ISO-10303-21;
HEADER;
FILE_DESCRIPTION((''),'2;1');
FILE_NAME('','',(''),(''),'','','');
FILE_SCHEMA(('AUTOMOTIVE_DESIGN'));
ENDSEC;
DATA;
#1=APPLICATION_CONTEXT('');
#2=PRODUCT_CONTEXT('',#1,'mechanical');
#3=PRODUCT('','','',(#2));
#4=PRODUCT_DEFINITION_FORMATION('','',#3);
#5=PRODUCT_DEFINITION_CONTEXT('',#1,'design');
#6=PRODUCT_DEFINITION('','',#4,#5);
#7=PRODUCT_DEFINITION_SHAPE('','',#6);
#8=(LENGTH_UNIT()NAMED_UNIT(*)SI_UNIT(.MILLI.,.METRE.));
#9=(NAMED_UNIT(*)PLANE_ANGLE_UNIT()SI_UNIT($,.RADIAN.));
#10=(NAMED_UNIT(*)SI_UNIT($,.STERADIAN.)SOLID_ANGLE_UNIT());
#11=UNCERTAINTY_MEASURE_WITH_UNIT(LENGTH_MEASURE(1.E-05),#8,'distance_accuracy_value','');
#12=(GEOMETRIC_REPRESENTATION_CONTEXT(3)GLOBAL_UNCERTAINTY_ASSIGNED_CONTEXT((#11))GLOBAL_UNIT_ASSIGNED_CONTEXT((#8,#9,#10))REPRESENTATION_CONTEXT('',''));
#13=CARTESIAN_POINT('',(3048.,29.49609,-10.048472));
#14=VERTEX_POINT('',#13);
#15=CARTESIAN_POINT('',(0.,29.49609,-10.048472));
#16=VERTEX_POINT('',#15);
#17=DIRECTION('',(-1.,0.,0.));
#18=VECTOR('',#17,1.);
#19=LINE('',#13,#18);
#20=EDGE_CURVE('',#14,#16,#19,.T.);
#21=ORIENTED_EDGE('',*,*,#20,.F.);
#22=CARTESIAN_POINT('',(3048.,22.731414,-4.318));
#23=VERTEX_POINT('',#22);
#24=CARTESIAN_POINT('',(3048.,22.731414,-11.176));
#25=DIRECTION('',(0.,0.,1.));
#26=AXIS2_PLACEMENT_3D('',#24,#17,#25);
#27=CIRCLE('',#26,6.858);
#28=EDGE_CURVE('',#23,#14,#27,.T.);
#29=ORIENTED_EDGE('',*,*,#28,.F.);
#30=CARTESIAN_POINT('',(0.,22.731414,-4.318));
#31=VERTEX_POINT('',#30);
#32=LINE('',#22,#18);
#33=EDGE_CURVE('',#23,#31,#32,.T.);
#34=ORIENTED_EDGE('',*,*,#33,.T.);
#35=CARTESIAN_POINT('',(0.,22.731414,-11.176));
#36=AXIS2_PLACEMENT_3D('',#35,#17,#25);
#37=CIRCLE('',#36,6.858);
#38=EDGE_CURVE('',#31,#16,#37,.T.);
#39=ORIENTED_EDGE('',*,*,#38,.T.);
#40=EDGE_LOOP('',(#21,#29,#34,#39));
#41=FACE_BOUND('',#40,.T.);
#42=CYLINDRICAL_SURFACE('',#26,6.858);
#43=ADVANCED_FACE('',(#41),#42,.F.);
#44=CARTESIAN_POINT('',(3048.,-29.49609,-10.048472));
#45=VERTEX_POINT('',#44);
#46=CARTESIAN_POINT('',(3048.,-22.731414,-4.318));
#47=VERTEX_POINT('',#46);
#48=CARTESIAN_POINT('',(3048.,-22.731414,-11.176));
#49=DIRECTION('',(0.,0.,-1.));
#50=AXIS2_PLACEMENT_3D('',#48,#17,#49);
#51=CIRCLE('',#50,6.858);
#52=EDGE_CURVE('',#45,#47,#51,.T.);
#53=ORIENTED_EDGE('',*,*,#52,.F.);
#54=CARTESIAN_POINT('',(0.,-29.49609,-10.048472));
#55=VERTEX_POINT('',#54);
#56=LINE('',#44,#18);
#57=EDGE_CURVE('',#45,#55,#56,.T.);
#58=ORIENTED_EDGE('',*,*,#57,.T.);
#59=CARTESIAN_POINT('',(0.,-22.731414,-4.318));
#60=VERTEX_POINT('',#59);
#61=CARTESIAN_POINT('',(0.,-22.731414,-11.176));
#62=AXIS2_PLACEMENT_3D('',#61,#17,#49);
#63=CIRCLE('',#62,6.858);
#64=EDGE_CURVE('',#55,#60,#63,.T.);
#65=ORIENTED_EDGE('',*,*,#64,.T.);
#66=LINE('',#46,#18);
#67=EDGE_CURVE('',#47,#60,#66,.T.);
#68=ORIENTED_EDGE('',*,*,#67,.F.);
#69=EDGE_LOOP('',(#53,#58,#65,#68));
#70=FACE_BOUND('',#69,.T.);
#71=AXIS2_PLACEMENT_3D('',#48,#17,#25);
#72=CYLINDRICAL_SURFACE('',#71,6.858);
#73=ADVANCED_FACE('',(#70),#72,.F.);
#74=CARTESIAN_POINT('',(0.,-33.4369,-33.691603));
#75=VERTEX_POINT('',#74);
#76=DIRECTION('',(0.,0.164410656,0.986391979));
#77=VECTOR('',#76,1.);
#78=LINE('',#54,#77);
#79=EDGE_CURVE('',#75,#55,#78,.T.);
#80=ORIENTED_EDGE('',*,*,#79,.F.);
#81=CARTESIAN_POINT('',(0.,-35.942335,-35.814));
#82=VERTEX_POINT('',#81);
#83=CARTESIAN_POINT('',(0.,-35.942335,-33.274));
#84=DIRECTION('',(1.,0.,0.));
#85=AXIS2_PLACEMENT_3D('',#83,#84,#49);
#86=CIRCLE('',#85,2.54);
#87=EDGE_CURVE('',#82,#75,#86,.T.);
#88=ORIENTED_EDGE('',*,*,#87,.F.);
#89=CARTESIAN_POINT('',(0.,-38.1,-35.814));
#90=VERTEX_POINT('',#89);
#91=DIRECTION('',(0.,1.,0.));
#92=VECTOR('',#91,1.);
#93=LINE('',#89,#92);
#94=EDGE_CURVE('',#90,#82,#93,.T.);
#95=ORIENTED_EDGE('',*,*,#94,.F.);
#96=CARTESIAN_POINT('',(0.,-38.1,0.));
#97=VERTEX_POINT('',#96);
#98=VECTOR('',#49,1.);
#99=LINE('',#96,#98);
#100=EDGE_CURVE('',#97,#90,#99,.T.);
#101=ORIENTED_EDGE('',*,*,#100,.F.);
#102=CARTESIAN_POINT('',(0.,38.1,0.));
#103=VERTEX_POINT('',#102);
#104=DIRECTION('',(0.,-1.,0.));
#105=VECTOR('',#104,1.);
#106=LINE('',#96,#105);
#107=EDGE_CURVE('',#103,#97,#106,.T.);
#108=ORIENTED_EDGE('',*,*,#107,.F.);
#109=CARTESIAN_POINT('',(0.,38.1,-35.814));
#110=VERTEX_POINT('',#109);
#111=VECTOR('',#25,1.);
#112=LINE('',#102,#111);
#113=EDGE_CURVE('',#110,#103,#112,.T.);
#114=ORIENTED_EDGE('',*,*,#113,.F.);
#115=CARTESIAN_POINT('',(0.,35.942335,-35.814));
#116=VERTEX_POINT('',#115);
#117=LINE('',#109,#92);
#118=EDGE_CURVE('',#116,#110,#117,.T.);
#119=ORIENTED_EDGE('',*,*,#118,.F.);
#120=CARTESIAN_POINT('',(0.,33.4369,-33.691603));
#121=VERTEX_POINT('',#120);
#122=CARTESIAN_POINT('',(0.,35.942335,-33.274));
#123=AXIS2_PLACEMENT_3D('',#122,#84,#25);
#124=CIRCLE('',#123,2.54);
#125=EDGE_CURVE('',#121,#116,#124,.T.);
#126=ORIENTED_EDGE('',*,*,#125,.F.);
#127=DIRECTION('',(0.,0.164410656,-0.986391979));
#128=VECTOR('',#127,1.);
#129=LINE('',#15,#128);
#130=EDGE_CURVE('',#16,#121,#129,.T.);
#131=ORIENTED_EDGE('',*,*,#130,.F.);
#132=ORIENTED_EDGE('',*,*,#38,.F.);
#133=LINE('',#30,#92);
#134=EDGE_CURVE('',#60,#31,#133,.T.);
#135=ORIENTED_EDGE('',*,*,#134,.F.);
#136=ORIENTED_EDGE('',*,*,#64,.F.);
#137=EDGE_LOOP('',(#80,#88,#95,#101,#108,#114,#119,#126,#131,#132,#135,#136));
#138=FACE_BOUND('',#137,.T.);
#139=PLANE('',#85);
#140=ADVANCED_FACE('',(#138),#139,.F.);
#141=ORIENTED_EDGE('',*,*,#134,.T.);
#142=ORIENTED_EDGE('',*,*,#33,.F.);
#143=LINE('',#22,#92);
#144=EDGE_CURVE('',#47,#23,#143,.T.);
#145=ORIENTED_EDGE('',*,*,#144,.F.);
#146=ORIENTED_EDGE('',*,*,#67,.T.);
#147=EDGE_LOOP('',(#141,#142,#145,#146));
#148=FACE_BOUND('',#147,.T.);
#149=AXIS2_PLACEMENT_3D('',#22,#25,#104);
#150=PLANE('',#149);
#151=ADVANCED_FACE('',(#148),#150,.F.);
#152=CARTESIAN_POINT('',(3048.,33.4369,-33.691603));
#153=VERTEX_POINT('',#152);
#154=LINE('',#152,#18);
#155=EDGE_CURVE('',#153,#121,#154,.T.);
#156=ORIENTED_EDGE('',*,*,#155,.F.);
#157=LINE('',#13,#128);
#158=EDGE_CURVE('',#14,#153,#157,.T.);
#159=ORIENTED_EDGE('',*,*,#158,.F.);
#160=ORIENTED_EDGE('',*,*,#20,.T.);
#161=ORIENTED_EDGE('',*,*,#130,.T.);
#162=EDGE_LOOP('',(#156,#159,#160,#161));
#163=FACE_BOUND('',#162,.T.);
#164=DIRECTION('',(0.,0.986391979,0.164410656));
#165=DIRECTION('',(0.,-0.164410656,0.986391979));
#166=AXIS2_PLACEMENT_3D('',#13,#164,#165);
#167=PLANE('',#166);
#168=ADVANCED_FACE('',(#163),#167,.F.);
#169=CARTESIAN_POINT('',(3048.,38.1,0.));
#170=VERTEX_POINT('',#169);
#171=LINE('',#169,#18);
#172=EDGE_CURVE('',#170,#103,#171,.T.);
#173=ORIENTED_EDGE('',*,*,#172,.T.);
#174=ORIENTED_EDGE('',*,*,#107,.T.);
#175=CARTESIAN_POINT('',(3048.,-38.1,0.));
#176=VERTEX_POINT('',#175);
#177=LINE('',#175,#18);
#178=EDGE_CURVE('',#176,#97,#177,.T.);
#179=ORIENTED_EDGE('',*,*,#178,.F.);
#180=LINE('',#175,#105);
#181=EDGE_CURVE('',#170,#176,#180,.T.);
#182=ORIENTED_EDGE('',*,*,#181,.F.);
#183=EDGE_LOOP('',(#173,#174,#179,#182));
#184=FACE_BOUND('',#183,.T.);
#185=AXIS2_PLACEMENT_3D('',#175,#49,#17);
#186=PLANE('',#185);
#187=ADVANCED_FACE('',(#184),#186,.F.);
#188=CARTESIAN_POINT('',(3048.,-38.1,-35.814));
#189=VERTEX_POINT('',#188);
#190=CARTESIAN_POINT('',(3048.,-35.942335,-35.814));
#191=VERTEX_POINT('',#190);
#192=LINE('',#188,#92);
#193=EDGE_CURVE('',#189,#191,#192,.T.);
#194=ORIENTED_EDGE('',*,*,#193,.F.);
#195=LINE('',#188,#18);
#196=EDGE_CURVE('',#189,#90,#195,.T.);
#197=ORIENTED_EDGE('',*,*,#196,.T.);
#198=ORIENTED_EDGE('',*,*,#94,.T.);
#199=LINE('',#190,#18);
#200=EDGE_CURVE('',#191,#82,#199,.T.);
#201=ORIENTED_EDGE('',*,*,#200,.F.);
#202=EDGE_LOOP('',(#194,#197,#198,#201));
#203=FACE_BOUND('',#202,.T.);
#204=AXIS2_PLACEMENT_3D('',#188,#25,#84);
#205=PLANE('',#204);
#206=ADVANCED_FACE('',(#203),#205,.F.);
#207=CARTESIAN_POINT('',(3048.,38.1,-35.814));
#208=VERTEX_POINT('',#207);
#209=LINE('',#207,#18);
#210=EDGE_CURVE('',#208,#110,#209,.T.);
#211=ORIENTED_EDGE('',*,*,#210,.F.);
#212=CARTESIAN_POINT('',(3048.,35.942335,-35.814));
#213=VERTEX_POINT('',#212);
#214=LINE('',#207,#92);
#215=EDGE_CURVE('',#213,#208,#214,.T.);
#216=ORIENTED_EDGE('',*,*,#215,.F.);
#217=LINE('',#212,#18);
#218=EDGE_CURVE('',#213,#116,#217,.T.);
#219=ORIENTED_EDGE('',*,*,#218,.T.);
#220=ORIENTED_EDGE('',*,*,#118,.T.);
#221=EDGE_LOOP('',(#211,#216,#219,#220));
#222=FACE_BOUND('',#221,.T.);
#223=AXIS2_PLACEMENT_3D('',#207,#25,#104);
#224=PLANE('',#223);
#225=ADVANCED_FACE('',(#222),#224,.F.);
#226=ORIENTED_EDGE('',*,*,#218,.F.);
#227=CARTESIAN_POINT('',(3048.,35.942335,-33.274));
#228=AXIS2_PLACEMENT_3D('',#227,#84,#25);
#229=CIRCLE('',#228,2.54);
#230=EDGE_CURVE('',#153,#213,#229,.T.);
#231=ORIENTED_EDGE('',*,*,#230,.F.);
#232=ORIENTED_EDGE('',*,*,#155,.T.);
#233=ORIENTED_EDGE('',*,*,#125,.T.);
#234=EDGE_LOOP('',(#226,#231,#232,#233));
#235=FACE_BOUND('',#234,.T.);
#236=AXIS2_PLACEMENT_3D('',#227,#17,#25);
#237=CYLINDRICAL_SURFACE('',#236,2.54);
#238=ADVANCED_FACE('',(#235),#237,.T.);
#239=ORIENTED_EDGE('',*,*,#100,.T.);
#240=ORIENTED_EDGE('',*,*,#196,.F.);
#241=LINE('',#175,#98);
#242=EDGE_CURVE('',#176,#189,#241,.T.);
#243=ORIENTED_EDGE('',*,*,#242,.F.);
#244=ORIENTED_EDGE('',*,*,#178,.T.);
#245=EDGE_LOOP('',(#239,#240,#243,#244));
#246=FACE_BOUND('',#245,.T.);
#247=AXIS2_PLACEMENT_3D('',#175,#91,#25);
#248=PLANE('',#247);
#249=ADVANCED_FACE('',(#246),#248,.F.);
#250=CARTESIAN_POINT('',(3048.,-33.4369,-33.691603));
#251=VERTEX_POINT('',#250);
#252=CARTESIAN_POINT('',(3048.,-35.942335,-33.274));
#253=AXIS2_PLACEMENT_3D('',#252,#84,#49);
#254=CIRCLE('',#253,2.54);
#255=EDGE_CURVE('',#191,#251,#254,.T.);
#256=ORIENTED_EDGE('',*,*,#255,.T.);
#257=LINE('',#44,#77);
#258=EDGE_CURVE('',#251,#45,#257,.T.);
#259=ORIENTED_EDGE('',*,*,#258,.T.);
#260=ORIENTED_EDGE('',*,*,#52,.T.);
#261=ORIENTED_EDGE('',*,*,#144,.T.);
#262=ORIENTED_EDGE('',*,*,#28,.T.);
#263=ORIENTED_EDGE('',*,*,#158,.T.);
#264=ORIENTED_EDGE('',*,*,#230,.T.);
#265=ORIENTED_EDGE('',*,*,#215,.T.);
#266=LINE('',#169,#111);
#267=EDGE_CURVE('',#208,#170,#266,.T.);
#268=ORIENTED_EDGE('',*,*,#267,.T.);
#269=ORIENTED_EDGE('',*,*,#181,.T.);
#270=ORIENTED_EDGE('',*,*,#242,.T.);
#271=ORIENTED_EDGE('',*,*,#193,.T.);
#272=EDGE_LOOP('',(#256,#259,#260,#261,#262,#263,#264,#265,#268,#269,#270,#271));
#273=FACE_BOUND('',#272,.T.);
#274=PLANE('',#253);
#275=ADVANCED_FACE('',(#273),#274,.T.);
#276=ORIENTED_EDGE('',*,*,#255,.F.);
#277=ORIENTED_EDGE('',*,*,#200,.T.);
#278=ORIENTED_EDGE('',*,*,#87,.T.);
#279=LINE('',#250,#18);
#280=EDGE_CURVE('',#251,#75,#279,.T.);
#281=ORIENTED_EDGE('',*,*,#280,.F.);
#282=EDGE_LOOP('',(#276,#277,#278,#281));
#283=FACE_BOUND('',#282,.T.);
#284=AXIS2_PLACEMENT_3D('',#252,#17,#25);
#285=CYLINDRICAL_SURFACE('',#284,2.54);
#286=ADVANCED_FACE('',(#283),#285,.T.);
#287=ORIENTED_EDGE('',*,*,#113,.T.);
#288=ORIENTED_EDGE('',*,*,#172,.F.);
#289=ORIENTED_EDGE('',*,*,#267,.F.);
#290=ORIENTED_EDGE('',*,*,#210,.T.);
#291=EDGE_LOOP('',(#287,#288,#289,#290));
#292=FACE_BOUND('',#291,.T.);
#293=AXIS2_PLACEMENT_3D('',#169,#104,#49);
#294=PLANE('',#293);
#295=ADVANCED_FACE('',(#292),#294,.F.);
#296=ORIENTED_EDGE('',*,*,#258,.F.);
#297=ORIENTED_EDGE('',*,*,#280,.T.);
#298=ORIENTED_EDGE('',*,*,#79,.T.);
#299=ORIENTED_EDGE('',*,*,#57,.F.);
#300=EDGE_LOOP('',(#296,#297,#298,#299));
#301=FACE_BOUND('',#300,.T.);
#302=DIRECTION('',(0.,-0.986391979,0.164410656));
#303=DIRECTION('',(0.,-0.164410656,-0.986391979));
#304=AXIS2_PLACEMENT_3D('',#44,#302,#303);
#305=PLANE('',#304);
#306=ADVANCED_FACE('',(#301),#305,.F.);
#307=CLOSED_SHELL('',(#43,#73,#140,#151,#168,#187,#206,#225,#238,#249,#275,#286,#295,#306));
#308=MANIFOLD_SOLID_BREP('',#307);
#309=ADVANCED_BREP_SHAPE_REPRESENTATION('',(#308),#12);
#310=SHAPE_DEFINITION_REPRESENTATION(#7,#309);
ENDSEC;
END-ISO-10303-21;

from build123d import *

# Parameters (mm, degrees)
C_CHANNEL_C3X4_1_1_DEPTH = 3048


with BuildPart() as part:
    # Sketch11 → C channel C3X4.1(1) (new body)
    with BuildSketch(Plane(origin=(0, -38.1, 0), x_dir=(0, 0, -1), z_dir=(1, 0, 0))):
        with BuildLine():
            Line((0, 0), (0, 76.2))
            Line((0, 76.2), (35.814, 76.2))
            Line((35.814, 76.2), (35.814, 74.042335136))
            ThreePointArc((35.814, 74.042335136), (35.212080466, 72.400554363), (33.691603066, 71.536899509))
            Line((33.691603066, 71.536899509), (10.048471721, 67.596090157))
            ThreePointArc((10.048471721, 67.596090157), (5.943182741, 65.264222052), (4.318, 60.831413966))
            Line((4.318, 60.831413966), (4.318, 15.368586034))
            ThreePointArc((4.318, 15.368586034), (5.943182741, 10.935777948), (10.048471721, 8.603909843))
            Line((10.048471721, 8.603909843), (33.691603066, 4.663100491))
            ThreePointArc((33.691603066, 4.663100491), (35.212080466, 3.799445637), (35.814, 2.157664864))
            Line((35.814, 2.157664864), (35.814, 0))
            Line((35.814, 0), (0, 0))
        make_face()
    extrude(amount=C_CHANNEL_C3X4_1_1_DEPTH)


solid = part.part
